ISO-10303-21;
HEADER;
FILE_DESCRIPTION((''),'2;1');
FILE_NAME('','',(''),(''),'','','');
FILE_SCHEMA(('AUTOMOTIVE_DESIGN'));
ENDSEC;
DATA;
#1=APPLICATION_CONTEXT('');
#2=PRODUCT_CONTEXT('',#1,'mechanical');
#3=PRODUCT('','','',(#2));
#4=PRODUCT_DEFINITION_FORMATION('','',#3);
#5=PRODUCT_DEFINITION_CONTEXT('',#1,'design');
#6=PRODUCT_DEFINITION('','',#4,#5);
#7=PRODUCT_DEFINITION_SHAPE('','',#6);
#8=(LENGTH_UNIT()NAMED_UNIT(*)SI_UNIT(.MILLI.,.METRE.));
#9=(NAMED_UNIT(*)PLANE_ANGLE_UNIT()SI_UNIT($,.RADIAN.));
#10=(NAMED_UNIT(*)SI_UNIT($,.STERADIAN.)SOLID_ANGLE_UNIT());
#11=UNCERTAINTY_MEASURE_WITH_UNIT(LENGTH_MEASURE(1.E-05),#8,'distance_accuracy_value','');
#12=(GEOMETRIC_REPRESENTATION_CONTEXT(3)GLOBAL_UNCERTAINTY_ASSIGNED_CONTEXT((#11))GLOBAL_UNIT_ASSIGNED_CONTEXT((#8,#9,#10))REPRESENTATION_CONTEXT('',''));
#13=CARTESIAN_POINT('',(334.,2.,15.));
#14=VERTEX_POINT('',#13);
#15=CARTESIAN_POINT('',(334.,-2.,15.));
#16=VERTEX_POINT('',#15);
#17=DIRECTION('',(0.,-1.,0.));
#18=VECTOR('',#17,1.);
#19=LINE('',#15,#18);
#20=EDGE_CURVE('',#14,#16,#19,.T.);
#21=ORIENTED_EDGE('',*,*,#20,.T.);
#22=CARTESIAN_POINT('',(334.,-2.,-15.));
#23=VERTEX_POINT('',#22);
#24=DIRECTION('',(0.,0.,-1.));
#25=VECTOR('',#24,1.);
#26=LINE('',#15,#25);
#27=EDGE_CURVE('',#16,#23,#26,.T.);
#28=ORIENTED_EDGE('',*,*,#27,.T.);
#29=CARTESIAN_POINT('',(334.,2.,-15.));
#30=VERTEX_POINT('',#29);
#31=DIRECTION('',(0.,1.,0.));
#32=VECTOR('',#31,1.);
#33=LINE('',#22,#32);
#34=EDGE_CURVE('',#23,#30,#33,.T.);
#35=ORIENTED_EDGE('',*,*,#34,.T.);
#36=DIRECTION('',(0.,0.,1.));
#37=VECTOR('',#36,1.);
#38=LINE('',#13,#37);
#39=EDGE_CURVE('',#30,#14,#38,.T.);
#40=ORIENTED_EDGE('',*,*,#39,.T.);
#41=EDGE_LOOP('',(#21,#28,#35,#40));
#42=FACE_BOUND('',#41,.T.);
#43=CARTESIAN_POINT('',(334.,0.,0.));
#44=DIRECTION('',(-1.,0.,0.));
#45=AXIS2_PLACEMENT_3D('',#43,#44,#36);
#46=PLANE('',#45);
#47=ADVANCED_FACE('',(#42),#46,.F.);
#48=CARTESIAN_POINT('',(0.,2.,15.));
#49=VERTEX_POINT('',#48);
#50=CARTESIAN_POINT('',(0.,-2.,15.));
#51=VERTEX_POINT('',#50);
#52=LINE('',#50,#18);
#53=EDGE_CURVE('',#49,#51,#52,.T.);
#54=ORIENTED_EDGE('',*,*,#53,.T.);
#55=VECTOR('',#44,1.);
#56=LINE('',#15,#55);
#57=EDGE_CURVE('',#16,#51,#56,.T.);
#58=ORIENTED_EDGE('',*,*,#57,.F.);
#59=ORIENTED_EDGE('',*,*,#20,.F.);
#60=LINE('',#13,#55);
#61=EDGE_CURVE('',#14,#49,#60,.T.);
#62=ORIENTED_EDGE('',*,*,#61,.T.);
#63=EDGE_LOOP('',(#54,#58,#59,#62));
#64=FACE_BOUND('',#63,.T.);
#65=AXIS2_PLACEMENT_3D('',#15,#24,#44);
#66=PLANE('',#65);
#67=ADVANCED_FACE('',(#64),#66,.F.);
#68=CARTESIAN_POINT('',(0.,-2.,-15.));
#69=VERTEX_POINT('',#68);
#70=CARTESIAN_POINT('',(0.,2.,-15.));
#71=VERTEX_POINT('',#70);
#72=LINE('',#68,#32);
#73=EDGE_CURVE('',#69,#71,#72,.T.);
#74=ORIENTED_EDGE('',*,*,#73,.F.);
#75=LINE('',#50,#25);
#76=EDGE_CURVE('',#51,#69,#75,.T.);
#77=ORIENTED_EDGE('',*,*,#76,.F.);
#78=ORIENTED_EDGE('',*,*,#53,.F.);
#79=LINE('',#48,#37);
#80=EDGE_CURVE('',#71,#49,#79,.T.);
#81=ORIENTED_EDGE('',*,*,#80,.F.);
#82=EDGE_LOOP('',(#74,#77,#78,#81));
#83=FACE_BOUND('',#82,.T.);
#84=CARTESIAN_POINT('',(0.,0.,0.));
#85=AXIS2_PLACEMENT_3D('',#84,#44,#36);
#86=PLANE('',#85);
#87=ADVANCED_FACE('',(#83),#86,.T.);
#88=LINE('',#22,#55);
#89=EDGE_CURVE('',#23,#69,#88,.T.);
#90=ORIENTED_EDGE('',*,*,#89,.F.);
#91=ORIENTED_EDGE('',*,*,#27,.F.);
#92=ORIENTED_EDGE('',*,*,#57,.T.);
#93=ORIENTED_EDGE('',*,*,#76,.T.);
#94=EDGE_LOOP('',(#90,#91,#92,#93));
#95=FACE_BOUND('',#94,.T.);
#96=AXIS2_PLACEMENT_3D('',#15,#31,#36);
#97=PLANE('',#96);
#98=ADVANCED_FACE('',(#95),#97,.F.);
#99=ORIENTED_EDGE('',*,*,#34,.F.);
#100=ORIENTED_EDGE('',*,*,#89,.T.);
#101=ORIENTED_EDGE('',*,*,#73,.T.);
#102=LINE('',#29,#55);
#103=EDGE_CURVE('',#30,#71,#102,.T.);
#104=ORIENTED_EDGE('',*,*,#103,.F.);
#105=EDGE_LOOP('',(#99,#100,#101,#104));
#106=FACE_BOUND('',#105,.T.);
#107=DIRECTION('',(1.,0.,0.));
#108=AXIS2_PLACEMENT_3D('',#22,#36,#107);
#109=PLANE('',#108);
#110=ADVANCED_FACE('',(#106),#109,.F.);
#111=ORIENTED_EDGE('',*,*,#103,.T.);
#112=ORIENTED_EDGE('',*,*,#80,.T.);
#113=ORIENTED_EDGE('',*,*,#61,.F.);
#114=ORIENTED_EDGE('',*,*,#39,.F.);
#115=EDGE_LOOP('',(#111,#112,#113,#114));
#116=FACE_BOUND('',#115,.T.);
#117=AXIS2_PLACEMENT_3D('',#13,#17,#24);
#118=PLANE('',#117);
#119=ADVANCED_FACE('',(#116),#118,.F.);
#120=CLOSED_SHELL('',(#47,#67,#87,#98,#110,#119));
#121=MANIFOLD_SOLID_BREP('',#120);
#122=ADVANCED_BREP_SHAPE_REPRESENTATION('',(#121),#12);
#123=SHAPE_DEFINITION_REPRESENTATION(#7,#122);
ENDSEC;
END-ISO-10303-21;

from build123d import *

# Parameters (mm, degrees)
SKETCH_1_W      = 30
SKETCH_1_H      = 4
EXTRUDE_1_DEPTH = 334


with BuildPart() as part:
    # Эскиз1 → Бобышка-Вытянуть1 (new body)
    with BuildSketch(Plane(origin=(0, 0, 0), x_dir=(0, 0, -1), z_dir=(1, 0, 0))):
        Rectangle(SKETCH_1_W, SKETCH_1_H)
    extrude(amount=EXTRUDE_1_DEPTH)


solid = part.part
